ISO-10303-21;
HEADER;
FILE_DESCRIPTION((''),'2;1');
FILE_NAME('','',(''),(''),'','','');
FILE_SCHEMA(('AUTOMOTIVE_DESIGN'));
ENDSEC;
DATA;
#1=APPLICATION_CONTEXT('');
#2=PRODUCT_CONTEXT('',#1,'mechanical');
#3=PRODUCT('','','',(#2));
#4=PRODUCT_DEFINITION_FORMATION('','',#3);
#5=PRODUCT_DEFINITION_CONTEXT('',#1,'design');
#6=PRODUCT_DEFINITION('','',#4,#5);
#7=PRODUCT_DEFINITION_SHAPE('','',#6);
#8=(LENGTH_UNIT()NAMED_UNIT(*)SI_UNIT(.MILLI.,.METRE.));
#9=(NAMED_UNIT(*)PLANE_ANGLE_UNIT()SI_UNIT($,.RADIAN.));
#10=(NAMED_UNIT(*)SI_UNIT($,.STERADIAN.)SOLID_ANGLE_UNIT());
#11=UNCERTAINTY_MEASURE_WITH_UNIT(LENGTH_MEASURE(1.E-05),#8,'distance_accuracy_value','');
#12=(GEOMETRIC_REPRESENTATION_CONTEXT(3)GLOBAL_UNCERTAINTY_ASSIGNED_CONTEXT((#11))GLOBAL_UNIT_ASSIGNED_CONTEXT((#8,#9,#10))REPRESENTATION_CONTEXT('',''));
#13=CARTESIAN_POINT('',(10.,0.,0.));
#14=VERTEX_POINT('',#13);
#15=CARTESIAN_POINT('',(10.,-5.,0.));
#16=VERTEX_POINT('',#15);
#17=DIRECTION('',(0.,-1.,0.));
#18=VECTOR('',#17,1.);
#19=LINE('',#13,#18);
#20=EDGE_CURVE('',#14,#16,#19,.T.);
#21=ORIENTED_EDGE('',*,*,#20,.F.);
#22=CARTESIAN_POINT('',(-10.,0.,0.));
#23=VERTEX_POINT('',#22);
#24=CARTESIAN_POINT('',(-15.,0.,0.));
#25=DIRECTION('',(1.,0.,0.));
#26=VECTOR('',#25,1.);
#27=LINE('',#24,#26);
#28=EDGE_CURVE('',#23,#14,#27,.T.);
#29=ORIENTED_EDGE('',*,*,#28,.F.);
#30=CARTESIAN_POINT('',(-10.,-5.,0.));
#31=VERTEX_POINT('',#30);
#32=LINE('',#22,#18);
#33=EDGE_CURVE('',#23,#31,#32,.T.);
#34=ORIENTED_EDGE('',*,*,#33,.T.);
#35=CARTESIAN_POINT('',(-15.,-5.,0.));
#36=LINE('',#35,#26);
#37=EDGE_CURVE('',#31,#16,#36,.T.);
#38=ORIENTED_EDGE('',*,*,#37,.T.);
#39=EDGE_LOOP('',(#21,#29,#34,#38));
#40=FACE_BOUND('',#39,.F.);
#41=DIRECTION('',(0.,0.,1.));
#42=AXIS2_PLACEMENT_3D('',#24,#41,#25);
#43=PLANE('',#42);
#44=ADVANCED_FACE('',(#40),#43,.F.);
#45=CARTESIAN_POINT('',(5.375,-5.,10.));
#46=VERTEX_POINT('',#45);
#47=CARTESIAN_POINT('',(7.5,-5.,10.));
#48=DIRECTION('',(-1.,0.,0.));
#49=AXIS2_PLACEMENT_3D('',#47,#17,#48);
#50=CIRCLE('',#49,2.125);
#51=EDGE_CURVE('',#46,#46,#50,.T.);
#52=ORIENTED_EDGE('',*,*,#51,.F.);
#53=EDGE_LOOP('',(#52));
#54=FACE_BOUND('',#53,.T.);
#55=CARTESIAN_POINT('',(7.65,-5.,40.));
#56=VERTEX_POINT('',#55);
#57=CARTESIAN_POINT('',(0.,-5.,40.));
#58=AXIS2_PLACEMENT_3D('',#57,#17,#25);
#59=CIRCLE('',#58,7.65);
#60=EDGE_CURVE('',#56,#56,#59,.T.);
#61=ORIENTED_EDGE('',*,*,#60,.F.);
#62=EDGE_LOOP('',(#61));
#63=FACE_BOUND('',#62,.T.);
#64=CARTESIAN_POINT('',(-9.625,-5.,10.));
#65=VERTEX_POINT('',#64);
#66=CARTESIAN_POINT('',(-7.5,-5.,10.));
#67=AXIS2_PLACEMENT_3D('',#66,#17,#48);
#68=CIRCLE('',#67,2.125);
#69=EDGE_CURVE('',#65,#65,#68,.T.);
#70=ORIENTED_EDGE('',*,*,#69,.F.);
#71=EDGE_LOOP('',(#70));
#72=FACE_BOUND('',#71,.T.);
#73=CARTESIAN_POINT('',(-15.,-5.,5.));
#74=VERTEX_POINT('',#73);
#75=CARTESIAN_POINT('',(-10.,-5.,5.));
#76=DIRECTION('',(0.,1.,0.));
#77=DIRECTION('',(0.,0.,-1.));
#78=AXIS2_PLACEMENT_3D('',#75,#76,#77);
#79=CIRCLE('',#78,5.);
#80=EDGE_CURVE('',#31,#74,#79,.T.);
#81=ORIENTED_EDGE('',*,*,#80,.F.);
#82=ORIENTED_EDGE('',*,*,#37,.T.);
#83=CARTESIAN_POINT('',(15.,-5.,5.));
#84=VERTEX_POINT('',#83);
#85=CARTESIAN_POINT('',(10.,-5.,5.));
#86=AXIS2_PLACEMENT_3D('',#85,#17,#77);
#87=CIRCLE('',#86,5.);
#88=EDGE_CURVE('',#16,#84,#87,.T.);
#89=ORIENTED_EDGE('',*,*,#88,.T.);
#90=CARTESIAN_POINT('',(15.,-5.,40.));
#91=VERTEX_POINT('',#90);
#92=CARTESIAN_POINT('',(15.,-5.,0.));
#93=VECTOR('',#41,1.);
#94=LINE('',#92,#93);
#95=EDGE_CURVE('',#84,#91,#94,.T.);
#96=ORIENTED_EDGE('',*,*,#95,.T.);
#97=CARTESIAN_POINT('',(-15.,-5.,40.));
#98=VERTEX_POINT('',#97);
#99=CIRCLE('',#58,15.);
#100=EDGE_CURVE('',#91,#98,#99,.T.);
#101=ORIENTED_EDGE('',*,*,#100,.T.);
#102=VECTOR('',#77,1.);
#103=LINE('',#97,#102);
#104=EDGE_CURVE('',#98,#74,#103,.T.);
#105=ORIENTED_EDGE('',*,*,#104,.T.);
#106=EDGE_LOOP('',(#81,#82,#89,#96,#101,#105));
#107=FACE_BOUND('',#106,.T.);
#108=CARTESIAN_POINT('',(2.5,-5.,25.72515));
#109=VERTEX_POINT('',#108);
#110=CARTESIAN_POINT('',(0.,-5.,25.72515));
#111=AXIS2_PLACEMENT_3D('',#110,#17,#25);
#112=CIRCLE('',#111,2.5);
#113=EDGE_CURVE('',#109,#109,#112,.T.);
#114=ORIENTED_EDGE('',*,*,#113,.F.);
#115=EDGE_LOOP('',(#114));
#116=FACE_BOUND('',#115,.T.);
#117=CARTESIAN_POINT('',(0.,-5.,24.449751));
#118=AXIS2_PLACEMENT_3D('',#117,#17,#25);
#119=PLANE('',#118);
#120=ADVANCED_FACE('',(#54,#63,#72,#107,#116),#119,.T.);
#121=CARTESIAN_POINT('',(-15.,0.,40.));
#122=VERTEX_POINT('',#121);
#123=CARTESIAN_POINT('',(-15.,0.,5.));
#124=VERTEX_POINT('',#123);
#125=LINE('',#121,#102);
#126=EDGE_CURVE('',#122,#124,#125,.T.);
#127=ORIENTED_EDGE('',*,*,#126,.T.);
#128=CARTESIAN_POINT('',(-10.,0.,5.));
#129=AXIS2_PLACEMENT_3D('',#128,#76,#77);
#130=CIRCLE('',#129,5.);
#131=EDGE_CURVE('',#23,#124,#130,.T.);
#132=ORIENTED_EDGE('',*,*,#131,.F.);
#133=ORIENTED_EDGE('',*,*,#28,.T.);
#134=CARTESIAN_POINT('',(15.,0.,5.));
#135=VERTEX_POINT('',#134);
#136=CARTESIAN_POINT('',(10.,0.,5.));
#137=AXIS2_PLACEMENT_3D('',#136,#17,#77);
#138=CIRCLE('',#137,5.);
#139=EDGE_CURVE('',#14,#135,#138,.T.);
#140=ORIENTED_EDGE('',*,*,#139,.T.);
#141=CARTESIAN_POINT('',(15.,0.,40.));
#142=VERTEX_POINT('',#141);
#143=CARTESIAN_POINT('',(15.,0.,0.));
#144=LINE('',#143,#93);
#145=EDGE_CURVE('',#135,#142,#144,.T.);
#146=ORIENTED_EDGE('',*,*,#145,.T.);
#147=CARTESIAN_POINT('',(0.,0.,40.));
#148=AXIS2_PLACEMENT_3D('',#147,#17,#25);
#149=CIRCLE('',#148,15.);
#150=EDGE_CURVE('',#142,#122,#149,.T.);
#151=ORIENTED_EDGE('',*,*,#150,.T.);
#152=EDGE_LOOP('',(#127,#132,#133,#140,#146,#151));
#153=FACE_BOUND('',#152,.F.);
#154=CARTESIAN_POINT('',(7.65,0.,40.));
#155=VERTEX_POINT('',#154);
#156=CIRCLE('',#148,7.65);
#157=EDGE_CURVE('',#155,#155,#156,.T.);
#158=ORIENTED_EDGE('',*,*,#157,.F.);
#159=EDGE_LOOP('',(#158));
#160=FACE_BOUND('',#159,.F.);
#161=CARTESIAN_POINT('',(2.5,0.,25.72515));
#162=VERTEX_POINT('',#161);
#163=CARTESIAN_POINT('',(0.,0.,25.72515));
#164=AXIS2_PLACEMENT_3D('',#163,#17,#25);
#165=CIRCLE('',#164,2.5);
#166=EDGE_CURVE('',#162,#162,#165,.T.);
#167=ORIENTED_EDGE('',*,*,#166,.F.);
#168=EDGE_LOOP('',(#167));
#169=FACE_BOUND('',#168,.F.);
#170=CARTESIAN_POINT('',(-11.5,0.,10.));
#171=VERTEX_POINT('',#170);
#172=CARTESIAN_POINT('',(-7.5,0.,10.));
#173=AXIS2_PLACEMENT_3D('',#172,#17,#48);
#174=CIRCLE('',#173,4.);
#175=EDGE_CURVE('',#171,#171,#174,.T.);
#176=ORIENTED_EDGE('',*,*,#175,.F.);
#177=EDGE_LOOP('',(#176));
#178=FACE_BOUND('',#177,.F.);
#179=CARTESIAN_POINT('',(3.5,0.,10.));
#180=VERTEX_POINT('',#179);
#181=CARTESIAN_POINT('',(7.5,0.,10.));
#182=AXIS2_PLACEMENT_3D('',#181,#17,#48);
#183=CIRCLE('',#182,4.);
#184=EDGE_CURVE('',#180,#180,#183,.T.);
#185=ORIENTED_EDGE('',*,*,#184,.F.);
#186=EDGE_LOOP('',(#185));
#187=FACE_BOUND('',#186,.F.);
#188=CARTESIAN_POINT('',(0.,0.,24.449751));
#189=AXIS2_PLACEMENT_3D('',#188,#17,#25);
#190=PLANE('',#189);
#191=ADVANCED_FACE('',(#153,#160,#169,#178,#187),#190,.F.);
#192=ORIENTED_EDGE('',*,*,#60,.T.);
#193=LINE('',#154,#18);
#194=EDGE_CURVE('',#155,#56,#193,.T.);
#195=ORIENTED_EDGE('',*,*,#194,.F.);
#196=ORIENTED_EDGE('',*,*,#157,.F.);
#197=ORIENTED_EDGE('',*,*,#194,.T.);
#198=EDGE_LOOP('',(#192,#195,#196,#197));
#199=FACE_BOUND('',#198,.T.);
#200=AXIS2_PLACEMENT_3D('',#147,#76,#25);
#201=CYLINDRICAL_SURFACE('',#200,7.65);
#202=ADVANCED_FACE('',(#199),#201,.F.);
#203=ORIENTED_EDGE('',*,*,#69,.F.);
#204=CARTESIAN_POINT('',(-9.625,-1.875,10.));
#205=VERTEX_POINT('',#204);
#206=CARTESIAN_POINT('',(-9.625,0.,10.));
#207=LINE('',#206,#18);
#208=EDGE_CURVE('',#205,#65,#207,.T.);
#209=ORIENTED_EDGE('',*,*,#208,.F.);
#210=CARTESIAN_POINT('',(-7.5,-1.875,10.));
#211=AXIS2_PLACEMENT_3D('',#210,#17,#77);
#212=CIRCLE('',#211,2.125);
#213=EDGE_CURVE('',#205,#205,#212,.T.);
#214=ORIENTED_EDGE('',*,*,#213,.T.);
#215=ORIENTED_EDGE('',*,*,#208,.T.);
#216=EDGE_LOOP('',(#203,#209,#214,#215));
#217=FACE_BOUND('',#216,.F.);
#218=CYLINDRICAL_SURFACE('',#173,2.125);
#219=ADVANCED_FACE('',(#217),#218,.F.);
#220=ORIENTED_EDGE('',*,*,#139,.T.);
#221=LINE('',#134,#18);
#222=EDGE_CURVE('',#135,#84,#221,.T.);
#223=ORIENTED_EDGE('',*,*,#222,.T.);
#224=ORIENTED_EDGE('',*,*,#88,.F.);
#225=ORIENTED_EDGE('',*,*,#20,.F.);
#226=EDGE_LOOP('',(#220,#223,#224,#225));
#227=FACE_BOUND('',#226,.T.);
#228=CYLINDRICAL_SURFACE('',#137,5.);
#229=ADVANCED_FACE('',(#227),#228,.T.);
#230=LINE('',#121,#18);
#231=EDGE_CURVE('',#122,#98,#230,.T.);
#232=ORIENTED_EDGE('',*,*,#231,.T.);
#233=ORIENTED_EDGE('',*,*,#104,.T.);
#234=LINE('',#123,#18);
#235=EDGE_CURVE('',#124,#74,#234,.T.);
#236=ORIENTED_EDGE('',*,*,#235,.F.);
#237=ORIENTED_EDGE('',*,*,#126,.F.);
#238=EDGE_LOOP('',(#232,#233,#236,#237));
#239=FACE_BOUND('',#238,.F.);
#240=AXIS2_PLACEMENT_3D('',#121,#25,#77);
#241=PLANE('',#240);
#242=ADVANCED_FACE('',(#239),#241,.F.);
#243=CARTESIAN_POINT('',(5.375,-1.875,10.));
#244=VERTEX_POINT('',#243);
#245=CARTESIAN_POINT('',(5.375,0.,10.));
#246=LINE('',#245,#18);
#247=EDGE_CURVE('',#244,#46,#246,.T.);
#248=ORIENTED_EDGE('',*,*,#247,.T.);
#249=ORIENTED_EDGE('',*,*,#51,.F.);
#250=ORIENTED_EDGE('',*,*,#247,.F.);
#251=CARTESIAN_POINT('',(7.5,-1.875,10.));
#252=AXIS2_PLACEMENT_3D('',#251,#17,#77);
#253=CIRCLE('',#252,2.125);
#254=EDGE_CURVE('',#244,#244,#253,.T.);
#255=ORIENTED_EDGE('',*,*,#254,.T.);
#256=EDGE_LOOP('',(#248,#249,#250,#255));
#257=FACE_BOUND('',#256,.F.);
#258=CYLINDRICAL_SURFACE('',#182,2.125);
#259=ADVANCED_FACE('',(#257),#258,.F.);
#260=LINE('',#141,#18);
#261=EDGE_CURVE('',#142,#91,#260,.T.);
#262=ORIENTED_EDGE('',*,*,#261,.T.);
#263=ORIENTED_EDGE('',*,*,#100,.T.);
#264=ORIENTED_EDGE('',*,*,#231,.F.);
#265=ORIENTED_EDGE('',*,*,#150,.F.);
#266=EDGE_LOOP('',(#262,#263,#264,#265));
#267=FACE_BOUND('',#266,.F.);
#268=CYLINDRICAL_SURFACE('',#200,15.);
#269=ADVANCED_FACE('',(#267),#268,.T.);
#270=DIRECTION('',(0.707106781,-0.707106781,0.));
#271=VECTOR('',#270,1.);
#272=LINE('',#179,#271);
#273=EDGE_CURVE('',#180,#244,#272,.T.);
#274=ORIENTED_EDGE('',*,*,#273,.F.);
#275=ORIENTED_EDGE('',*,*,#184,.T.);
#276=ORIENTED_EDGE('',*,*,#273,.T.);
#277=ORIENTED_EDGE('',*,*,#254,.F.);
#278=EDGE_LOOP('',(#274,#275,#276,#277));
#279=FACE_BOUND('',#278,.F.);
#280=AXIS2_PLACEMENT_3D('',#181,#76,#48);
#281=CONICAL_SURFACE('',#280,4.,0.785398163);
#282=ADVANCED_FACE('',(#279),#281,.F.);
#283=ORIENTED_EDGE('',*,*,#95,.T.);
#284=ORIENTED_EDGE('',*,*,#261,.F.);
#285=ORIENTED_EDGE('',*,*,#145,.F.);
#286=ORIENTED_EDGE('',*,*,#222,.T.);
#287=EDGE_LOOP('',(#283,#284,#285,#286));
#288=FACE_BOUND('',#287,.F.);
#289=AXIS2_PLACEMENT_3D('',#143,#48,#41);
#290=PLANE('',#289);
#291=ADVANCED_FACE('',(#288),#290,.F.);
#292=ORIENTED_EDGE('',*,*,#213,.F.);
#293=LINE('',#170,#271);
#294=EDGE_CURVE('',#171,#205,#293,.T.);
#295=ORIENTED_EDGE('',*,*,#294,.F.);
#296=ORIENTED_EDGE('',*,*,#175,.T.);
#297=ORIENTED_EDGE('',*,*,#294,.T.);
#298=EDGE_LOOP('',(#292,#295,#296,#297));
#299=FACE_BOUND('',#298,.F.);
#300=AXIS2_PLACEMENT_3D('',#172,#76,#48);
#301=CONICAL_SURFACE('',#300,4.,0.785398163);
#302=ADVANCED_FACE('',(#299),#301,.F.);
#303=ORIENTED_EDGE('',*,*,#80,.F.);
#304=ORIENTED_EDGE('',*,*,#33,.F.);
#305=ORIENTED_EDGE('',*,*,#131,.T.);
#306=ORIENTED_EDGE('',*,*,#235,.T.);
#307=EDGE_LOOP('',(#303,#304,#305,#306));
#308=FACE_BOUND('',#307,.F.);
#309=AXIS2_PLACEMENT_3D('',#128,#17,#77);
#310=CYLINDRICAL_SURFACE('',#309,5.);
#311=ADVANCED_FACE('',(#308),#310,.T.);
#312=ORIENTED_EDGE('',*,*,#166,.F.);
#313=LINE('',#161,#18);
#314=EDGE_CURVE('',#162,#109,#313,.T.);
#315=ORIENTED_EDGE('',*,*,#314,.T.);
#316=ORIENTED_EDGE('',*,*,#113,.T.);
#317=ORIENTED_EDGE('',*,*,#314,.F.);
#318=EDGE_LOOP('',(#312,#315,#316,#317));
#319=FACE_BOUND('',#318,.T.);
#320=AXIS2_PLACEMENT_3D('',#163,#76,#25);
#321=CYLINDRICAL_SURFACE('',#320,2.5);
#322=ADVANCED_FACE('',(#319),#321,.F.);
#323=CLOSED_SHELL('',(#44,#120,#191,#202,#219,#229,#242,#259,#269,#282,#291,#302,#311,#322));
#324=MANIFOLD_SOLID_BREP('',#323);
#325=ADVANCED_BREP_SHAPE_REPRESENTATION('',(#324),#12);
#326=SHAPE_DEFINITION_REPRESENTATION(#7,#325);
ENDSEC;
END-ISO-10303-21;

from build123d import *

# Parameters (mm, degrees)
F0_R           = 2.5
F0_R_2         = 7.65
F1_DEPTH       = 5
F2_D           = 4.25
F2_CSINK_D     = 8
F2_CSINK_ANGLE = 90
F3_R           = 5


with BuildPart() as f1:
    # F0 (on Front) → F1 (new body)
    with BuildSketch(Plane.XZ):
        with BuildLine():
            Line((-15, 0), (0, 0))
            Line((0, 0), (15, 0))
            Line((15, 0), (15, 40))
            ThreePointArc((15, 40), (0, 55), (-15, 40))
            Line((-15, 40), (-15, 0))
        make_face()
        with Locations((0, 25.7251504809)):
            Circle(F0_R, mode=Mode.SUBTRACT)
        with Locations((0, 40)):
            Circle(F0_R_2, mode=Mode.SUBTRACT)
    extrude(amount=F1_DEPTH)

    # F2 (through all)
    with Locations(Plane(origin=(0, 0, 0), x_dir=(1, 0, 0), z_dir=(0, 1, 0))):
        with Locations((-7.5, -10), (7.5, -10)):
            CounterSinkHole(F2_D / 2, F2_CSINK_D / 2, counter_sink_angle=F2_CSINK_ANGLE)

    # F3
    f3_edges = [f1.edges().sort_by_distance(p)[0] for p in [
        (-15, -2.5, 0),
        (15, -2.5, 0),
    ]]
    fillet(f3_edges, radius=F3_R)


solid = f1.part
